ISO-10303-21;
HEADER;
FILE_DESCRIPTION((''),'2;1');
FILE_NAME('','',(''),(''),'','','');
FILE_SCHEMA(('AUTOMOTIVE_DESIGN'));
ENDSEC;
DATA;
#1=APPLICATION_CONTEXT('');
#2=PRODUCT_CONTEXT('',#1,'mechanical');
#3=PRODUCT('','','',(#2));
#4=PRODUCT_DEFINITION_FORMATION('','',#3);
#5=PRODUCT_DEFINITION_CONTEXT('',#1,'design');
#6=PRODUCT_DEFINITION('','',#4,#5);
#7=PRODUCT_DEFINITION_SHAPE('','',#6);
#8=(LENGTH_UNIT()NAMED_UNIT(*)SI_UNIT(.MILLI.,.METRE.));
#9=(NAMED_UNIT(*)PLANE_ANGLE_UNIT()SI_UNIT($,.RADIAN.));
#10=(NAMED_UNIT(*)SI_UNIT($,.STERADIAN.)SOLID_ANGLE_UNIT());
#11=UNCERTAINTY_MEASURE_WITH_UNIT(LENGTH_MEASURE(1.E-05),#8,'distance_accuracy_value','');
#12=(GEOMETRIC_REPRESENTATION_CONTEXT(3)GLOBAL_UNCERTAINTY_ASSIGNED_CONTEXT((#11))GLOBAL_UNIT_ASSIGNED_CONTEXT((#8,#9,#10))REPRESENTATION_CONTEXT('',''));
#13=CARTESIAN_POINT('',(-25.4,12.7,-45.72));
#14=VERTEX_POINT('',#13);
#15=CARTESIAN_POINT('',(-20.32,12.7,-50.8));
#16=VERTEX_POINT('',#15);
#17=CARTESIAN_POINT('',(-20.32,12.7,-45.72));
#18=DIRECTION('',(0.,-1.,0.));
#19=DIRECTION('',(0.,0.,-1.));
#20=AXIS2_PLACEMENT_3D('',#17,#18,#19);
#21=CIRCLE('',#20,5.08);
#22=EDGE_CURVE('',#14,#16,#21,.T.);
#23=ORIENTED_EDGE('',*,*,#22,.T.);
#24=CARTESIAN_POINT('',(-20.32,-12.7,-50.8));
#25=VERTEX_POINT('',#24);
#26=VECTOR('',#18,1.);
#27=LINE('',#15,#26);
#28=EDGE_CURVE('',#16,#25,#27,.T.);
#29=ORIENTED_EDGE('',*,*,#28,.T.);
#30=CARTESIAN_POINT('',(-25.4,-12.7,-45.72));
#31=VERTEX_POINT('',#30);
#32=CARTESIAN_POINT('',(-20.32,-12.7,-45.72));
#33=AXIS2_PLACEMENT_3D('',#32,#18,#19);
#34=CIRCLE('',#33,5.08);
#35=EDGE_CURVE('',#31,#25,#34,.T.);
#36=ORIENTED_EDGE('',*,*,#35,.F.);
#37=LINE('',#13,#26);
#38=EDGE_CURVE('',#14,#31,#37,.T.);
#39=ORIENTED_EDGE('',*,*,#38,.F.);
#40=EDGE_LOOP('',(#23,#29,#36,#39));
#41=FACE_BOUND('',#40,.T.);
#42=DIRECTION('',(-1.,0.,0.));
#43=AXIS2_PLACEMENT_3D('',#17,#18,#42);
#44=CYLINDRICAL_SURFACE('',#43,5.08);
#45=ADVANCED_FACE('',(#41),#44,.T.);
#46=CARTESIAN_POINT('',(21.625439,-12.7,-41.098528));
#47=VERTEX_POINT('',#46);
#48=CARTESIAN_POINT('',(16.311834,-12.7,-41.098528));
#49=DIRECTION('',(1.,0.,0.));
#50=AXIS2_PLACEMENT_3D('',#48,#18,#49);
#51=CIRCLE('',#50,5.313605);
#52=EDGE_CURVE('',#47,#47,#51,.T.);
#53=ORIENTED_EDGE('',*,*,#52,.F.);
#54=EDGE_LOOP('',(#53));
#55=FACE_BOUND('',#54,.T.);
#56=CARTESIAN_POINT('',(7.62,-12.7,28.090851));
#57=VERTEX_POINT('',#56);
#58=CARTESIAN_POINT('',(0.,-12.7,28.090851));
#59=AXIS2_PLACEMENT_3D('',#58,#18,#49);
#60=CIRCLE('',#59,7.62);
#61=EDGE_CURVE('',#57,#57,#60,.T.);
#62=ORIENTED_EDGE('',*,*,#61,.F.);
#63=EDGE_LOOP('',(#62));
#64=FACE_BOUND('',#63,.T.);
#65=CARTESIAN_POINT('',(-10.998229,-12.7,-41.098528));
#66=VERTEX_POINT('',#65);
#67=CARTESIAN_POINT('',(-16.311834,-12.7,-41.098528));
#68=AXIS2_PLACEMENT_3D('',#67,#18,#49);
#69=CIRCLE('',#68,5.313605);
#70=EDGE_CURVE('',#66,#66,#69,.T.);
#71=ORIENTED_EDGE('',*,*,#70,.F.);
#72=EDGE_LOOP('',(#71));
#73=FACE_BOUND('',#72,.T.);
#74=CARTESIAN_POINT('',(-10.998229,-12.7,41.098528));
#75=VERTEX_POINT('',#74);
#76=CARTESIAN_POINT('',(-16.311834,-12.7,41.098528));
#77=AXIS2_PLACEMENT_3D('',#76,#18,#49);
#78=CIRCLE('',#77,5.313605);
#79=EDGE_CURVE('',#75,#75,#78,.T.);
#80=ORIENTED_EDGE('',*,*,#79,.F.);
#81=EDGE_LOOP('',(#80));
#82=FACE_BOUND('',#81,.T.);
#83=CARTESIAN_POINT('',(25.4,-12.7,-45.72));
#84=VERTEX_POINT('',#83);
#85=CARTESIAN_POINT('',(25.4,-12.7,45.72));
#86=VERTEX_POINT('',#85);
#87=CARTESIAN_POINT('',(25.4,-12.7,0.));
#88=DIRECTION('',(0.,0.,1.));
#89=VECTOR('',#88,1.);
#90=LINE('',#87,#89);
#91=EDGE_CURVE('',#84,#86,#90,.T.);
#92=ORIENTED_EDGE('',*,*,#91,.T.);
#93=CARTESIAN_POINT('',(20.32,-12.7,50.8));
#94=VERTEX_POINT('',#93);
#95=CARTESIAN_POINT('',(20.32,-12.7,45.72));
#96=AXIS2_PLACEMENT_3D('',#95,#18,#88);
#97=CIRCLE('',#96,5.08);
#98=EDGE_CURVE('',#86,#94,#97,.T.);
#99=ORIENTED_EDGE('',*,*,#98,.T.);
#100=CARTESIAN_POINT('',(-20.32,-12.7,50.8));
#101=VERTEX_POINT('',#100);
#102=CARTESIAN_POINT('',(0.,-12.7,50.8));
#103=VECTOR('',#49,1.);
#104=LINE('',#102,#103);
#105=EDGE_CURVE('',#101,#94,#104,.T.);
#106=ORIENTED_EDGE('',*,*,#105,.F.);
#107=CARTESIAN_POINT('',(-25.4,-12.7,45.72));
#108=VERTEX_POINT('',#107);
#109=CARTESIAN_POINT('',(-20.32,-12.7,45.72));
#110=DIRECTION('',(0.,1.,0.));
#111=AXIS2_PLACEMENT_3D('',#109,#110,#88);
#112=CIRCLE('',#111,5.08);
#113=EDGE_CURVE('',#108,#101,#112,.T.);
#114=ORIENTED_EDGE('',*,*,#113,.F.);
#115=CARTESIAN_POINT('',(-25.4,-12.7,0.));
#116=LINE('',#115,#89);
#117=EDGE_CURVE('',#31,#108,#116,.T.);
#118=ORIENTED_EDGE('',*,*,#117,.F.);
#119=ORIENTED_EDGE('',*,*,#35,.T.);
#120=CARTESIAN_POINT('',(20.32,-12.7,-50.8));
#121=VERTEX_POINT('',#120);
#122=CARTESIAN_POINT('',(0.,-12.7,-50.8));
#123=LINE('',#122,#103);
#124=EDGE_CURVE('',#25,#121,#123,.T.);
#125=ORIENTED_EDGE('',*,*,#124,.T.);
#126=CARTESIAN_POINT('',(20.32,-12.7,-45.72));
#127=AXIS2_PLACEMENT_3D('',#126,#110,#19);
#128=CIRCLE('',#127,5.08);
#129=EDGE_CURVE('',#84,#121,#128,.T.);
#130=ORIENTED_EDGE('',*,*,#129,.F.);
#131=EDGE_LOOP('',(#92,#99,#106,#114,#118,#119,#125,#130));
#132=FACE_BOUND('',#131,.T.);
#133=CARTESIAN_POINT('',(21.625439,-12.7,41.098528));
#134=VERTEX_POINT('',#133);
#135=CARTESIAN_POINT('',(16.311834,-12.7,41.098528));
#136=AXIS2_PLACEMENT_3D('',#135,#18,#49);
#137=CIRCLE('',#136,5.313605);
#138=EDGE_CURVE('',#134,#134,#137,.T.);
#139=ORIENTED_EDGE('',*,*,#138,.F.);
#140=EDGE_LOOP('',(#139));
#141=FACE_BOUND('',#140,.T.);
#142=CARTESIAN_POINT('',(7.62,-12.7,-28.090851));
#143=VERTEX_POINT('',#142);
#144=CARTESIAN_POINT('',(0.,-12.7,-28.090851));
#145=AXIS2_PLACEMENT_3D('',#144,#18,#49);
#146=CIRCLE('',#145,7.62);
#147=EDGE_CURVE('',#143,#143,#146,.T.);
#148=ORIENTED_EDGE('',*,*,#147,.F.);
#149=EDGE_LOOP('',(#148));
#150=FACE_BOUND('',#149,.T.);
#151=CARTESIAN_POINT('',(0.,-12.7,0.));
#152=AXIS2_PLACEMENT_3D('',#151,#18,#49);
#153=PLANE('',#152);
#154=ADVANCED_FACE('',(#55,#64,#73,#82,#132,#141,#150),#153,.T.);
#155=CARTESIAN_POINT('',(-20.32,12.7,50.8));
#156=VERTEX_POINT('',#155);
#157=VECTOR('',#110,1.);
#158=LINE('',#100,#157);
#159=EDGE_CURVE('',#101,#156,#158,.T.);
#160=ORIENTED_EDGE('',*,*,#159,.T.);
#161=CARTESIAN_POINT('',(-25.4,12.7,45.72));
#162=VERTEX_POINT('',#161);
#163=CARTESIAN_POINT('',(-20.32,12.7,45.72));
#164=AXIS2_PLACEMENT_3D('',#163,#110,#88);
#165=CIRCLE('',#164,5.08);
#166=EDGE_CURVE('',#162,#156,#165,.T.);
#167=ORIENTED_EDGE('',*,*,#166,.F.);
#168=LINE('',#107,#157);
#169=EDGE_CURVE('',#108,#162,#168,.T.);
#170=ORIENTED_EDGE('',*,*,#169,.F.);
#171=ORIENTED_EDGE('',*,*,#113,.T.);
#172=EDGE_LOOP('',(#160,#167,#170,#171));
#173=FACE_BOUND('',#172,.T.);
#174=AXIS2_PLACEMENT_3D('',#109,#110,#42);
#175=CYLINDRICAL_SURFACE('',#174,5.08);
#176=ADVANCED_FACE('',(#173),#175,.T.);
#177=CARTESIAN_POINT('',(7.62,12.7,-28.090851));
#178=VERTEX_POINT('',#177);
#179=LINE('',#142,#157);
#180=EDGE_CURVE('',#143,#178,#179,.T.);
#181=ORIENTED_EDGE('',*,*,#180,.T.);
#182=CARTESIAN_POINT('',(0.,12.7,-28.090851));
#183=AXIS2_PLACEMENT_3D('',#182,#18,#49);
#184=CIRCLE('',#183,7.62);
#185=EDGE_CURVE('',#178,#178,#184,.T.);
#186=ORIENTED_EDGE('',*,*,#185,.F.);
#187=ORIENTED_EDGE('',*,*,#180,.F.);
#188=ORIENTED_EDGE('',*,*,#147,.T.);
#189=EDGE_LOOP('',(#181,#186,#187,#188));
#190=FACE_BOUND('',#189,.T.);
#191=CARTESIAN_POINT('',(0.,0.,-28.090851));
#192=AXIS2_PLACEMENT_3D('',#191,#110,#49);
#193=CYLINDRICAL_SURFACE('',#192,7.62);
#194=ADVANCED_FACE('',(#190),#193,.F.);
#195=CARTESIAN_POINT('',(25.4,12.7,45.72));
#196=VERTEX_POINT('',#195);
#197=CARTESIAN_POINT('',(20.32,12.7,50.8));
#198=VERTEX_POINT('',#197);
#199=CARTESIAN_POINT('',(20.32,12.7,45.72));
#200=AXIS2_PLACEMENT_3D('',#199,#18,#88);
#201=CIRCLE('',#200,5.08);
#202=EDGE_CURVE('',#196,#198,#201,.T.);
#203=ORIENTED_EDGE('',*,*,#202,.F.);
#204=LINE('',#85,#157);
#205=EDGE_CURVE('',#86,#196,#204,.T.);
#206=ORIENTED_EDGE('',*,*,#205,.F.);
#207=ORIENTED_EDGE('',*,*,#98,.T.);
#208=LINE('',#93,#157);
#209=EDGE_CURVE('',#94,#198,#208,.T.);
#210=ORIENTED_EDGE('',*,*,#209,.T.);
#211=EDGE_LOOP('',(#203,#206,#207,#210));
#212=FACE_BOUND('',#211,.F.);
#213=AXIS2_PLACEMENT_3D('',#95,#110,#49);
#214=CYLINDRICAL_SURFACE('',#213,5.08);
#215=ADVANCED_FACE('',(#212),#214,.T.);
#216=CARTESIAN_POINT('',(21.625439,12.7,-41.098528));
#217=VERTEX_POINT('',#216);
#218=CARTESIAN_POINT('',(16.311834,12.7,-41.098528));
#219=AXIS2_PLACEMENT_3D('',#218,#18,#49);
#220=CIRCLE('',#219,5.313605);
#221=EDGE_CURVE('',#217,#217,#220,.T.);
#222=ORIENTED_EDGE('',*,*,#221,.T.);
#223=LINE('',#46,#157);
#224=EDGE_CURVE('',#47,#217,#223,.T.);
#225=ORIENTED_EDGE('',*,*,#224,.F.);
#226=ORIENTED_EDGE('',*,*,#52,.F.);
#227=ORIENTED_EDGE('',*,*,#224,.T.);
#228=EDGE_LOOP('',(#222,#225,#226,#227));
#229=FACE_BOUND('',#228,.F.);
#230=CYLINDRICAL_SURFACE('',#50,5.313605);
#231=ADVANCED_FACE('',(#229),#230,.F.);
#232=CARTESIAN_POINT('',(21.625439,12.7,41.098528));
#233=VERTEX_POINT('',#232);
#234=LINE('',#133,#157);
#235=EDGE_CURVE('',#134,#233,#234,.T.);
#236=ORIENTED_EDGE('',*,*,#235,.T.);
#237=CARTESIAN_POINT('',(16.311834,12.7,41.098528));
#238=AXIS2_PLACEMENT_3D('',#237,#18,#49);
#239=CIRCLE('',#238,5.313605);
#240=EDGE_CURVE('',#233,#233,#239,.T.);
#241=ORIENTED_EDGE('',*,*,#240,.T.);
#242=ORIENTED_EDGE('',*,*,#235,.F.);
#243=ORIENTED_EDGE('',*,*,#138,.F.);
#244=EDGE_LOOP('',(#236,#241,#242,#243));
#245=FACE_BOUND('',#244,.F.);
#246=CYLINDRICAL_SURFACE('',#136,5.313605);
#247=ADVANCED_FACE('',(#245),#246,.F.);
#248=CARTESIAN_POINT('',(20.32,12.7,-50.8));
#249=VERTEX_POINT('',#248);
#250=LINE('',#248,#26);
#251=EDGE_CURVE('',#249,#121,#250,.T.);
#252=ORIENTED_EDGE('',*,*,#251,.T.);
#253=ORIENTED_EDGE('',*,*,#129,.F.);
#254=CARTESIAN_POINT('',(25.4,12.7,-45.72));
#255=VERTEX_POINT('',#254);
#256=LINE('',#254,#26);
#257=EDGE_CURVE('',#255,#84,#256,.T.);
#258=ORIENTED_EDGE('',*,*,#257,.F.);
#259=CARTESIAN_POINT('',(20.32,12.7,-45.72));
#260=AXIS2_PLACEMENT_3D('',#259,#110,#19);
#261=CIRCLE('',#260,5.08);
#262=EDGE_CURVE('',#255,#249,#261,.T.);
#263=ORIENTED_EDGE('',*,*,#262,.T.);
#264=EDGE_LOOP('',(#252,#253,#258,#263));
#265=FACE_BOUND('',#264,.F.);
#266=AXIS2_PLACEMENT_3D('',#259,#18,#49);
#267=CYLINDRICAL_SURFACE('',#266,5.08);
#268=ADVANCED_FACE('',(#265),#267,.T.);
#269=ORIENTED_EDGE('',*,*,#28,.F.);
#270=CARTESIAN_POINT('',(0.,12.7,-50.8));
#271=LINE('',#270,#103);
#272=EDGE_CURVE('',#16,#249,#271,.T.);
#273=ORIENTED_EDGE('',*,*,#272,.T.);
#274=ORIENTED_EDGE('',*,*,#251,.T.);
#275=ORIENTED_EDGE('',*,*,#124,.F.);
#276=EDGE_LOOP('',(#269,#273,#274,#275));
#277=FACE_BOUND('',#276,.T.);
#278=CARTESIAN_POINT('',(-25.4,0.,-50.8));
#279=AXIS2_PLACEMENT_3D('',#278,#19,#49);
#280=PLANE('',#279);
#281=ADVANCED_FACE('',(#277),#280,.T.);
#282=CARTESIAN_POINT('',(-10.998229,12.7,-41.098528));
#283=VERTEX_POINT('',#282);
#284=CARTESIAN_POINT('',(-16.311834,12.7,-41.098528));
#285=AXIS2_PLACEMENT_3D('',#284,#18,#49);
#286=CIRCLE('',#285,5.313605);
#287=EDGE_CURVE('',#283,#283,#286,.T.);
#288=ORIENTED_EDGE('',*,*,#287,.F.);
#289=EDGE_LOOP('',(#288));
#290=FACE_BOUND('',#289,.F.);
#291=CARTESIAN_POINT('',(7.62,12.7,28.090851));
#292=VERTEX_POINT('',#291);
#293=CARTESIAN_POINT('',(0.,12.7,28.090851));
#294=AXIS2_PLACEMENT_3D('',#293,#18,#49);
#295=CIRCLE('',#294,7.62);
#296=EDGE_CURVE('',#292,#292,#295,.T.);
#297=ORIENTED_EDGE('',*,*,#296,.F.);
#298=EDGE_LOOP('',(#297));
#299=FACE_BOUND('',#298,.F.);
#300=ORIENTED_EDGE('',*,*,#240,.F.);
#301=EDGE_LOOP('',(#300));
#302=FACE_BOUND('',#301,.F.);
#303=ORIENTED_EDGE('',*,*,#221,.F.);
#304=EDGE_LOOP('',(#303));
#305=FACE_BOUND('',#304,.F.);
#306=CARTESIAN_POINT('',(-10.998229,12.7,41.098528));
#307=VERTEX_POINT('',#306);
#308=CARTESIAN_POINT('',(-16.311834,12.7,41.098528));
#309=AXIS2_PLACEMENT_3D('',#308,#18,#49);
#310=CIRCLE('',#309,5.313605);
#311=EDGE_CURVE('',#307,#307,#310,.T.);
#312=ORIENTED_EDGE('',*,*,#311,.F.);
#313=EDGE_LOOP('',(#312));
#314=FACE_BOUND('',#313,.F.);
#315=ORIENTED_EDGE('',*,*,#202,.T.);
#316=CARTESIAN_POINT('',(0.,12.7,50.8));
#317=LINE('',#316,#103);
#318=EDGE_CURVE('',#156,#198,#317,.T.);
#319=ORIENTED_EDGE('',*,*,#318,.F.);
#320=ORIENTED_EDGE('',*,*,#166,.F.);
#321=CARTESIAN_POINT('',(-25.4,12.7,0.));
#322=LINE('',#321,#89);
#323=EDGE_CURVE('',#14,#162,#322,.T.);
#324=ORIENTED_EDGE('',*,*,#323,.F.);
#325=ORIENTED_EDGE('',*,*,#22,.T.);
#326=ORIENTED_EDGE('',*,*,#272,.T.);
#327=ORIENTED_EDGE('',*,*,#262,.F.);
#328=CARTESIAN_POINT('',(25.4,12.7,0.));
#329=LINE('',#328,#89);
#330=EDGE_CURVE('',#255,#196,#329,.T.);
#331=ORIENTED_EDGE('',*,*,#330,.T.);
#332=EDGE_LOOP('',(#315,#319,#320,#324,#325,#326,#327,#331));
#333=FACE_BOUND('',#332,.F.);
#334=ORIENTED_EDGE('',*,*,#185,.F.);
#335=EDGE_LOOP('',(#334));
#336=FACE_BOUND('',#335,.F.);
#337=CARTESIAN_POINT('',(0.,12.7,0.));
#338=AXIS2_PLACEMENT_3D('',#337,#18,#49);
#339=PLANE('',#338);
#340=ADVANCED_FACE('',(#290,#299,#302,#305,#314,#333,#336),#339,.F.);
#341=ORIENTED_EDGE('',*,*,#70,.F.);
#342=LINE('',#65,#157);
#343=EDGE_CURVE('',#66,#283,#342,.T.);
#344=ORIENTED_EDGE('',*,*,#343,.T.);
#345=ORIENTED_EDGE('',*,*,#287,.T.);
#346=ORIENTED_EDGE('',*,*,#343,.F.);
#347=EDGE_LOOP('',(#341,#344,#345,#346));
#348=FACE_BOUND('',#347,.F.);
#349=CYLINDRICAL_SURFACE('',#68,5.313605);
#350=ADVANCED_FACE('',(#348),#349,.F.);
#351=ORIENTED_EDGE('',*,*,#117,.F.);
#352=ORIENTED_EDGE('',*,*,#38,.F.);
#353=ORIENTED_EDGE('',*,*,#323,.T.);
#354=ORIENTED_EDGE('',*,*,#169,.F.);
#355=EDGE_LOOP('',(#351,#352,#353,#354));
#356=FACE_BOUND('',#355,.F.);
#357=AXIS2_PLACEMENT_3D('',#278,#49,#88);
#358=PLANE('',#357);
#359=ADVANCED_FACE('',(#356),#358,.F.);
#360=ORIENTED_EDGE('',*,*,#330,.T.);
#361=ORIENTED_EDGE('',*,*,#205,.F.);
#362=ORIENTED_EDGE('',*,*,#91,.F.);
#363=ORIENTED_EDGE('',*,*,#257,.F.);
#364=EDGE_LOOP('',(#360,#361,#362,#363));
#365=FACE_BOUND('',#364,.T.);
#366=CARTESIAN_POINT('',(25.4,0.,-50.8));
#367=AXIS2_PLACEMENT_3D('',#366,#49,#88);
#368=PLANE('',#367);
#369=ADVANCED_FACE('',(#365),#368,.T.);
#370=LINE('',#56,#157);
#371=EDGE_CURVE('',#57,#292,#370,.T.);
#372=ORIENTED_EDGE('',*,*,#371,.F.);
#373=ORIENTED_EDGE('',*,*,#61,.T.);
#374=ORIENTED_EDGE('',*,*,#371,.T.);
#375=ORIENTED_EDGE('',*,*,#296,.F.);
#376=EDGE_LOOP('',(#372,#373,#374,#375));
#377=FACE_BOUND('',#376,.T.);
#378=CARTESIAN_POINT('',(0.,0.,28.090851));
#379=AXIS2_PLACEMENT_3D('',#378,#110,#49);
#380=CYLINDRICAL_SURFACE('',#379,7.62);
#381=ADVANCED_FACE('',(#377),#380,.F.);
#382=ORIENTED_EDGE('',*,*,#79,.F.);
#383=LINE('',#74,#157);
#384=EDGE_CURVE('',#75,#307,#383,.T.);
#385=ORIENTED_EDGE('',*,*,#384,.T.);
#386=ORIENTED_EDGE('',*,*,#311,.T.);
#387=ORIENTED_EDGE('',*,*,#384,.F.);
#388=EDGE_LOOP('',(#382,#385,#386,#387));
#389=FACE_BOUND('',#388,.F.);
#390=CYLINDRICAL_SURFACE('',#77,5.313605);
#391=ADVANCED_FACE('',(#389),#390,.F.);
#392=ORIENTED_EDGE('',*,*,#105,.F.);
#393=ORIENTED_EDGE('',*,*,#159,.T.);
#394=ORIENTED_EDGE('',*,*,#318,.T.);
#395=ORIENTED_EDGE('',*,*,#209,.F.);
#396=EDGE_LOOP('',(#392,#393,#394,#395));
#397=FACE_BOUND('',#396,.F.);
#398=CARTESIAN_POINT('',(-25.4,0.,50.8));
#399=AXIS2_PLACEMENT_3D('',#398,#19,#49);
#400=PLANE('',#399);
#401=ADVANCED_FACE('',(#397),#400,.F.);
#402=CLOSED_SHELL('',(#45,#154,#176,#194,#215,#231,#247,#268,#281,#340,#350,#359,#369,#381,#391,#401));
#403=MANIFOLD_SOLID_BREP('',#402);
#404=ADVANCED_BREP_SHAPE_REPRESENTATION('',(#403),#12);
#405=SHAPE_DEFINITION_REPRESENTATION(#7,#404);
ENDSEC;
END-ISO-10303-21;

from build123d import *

# Parameters (mm, degrees)
F0_W     = 50.8
F0_H     = 101.6
F0_R     = 7.62
F1_DEPTH = 12.7
F2_R     = 5.08
F3_R     = 5.313605
F4_DEPTH = 25.4


with BuildPart() as f1:
    # F0 (on Front) → F1 (new body, symmetric)
    with BuildSketch(Plane.XZ):
        Rectangle(F0_W, F0_H)
        with Locations((0, -28.090851)):
            Circle(F0_R, mode=Mode.SUBTRACT)
        with Locations((0, 28.090851)):
            Circle(F0_R, mode=Mode.SUBTRACT)
    extrude(amount=F1_DEPTH, both=True)

    # F2
    f2_edges = [f1.edges().sort_by_distance(p)[0] for p in [
        (25.4, 0, 50.8),
        (-25.4, 0, 50.8),
        (25.4, 0, -50.8),
        (-25.4, 0, -50.8),
    ]]
    fillet(f2_edges, radius=F2_R)

    # F3 (on face) → F4 (cut, through all)
    with BuildSketch(Plane.XZ.offset(12.7)):
        with Locations((-16.311834, 41.098528)):
            Circle(F3_R)
        with Locations((16.311834, 41.098528)):
            Circle(F3_R)
        with Locations((16.311834, -41.098528)):
            Circle(F3_R)
        with Locations((-16.311834, -41.098528)):
            Circle(F3_R)
    extrude(amount=-F4_DEPTH, mode=Mode.SUBTRACT)


solid = f1.part
